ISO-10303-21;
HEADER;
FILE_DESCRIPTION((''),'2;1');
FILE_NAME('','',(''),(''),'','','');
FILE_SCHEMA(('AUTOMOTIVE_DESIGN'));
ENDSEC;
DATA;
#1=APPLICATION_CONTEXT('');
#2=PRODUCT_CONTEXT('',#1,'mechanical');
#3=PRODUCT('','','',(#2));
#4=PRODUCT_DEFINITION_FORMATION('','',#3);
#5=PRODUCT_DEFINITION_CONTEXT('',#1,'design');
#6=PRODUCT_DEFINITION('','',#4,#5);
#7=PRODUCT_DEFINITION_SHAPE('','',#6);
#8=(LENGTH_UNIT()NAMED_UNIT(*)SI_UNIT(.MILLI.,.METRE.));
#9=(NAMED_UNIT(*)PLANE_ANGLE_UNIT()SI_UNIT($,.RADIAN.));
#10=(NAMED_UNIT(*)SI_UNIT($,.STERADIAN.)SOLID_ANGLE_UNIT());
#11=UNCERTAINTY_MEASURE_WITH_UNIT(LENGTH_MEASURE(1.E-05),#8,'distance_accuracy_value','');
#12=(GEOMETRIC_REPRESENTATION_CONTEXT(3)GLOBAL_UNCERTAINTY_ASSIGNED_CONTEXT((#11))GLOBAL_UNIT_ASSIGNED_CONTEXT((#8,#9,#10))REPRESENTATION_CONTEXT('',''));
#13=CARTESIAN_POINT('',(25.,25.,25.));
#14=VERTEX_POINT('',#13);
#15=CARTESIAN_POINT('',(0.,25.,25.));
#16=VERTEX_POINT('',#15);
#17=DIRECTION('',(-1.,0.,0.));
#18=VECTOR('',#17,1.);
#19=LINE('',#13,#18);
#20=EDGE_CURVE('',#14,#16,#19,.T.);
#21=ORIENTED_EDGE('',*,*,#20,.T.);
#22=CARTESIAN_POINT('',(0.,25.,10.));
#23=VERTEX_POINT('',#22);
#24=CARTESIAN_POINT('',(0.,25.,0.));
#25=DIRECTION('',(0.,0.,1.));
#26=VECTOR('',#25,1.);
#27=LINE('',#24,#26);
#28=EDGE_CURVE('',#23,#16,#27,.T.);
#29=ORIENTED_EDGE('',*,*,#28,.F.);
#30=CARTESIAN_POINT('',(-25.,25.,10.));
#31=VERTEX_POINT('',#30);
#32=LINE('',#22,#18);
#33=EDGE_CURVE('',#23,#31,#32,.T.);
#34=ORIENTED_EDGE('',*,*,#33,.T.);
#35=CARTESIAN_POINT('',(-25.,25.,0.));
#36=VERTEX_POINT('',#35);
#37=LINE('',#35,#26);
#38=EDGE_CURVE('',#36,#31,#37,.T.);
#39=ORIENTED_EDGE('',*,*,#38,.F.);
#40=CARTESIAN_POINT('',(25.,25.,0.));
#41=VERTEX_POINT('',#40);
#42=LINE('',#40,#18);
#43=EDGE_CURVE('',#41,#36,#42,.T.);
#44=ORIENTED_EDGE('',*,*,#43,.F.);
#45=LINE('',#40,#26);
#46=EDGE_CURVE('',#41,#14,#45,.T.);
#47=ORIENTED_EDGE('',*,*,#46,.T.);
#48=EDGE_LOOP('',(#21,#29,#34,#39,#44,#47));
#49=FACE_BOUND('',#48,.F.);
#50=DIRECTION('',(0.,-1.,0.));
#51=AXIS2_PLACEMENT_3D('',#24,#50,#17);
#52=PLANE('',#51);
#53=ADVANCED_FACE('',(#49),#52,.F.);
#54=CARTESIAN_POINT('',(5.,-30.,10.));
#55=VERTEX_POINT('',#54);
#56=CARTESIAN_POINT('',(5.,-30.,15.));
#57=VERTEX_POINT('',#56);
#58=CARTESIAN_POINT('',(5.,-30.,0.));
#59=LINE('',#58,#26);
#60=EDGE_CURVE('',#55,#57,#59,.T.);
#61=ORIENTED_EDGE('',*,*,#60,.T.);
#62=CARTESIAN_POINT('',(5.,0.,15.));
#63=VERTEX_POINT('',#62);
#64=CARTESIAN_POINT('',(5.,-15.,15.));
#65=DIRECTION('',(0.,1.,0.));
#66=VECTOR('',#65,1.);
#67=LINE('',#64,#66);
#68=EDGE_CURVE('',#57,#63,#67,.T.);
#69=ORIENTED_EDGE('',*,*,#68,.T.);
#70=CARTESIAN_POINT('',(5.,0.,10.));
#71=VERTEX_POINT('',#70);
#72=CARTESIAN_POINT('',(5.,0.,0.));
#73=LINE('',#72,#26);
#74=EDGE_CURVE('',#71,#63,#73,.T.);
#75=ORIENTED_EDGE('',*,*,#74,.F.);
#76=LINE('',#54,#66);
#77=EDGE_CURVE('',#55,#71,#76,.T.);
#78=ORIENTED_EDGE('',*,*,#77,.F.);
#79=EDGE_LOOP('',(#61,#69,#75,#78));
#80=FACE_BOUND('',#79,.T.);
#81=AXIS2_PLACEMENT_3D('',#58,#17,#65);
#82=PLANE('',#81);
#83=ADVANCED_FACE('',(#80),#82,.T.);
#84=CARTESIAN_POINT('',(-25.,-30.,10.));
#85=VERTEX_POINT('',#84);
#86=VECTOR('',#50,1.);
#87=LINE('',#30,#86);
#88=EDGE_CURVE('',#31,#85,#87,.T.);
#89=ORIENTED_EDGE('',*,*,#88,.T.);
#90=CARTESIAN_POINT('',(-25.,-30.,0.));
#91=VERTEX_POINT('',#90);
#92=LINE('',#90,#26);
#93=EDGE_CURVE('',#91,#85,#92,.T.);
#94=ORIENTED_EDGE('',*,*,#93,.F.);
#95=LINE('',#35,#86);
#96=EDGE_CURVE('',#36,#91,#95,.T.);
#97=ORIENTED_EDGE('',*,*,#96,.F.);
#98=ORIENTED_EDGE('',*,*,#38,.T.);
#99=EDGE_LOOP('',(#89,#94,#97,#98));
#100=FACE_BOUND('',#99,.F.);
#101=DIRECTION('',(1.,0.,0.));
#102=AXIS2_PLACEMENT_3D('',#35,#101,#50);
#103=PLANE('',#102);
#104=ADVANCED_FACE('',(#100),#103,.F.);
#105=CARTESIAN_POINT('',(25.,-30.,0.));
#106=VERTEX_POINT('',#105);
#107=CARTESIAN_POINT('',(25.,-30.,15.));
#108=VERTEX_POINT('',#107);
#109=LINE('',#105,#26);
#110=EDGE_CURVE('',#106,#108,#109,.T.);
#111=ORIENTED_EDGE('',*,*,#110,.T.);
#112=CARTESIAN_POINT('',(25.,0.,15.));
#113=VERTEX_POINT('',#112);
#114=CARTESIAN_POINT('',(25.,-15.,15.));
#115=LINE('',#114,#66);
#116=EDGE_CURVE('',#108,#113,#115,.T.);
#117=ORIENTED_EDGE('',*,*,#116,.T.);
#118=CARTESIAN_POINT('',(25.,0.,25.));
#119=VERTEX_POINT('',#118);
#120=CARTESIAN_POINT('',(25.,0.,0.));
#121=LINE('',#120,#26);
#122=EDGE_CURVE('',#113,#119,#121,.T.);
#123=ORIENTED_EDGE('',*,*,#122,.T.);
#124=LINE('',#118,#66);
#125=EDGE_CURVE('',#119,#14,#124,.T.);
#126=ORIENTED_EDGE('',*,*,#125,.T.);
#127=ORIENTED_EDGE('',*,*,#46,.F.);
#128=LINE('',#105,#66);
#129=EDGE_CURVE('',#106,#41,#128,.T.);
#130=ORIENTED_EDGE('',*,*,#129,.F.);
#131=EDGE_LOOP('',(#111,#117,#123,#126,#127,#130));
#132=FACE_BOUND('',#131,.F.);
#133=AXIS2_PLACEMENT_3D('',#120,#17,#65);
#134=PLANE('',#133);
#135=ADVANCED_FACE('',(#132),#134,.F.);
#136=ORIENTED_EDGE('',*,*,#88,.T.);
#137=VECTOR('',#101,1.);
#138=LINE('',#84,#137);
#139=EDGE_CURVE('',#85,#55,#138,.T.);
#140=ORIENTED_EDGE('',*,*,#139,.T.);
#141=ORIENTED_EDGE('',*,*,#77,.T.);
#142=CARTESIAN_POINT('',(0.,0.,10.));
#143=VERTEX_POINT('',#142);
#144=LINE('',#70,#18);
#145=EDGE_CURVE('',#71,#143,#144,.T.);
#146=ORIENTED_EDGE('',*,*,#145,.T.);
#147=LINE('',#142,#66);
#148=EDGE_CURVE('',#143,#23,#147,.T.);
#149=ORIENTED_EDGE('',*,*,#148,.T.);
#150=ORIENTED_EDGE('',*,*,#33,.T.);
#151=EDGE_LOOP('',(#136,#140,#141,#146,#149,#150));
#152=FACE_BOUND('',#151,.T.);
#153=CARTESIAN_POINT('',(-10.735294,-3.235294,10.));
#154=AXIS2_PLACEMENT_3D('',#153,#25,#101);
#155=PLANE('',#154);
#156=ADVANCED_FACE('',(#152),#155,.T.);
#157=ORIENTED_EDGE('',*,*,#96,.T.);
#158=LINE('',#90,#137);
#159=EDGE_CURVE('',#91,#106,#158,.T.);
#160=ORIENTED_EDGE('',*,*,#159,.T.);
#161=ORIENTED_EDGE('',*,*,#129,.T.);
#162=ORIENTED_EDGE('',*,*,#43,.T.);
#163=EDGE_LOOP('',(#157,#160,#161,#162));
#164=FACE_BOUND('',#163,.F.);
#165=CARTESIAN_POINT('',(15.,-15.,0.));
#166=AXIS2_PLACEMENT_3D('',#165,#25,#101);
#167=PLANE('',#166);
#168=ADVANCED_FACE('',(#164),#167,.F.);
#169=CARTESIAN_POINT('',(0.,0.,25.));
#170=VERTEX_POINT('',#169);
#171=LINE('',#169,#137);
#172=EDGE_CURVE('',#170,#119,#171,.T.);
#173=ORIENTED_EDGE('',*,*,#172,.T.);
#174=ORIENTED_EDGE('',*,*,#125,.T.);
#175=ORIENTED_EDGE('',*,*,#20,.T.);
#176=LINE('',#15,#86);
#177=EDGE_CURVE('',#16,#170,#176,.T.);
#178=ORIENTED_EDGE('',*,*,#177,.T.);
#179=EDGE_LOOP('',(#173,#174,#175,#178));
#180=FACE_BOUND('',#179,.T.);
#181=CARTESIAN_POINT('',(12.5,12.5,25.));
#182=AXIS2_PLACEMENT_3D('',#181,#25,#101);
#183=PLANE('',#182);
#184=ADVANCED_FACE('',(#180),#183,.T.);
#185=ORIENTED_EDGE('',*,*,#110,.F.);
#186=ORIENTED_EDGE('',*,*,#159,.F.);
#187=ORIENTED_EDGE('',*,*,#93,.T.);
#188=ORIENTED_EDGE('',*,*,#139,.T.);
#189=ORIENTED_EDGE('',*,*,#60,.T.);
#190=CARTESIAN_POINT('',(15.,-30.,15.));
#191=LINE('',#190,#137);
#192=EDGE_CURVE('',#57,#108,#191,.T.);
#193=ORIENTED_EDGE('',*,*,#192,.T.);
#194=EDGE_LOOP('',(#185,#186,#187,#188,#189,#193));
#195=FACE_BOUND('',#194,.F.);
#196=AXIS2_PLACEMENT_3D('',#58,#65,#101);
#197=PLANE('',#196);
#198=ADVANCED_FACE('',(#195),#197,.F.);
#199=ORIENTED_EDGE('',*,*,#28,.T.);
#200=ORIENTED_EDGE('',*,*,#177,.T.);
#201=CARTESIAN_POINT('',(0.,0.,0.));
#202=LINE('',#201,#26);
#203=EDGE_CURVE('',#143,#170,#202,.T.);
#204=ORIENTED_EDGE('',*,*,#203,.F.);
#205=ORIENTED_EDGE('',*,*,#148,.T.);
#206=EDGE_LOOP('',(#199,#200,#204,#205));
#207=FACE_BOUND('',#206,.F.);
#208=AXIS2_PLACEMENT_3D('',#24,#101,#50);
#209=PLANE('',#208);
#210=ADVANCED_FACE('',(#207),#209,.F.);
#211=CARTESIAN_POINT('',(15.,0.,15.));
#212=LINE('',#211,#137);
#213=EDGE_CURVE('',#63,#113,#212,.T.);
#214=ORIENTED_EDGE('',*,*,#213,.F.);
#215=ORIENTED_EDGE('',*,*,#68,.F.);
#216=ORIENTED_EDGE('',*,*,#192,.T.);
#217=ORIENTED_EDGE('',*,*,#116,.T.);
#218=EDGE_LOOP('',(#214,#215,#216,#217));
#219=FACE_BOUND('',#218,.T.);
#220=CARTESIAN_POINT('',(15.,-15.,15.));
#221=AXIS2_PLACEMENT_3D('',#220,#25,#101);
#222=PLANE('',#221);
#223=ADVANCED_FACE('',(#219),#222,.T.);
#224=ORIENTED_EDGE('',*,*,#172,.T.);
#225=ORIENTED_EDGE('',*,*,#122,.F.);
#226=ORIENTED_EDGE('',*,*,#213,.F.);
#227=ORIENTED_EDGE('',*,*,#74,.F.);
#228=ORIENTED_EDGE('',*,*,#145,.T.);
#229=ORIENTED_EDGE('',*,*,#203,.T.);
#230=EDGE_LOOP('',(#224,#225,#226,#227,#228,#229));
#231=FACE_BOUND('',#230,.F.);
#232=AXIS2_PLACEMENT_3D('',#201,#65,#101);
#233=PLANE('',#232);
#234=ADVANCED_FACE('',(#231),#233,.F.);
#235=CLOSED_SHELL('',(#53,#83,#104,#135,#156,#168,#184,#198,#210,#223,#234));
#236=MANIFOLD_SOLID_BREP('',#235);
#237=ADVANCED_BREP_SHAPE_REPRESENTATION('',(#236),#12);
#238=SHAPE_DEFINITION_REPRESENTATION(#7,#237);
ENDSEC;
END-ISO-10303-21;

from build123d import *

# Parameters (mm, degrees)
F1_DEPTH = 25
F2_DEPTH = 10
F0_W     = 20
F0_H     = 30
F3_DEPTH = 15


with BuildPart() as f1:
    # F0 (on Top) → F1 (new body)
    with BuildSketch(Plane.XY):
        Polygon((0, 25), (0, 0), (5, 0), (25, 0), (25, 25), align=None)
    extrude(amount=F1_DEPTH)

    # F0 (on Top) → F2 (join)
    with BuildSketch(Plane.XY):
        Polygon((5, 0), (0, 0), (0, 25), (-25, 25), (-25, -30), (5, -30), align=None)
    extrude(amount=F2_DEPTH)

    # F0 (on Top) → F3 (join)
    with BuildSketch(Plane.XY):
        with Locations((15, -15)):
            Rectangle(F0_W, F0_H)
    extrude(amount=F3_DEPTH)


solid = f1.part
